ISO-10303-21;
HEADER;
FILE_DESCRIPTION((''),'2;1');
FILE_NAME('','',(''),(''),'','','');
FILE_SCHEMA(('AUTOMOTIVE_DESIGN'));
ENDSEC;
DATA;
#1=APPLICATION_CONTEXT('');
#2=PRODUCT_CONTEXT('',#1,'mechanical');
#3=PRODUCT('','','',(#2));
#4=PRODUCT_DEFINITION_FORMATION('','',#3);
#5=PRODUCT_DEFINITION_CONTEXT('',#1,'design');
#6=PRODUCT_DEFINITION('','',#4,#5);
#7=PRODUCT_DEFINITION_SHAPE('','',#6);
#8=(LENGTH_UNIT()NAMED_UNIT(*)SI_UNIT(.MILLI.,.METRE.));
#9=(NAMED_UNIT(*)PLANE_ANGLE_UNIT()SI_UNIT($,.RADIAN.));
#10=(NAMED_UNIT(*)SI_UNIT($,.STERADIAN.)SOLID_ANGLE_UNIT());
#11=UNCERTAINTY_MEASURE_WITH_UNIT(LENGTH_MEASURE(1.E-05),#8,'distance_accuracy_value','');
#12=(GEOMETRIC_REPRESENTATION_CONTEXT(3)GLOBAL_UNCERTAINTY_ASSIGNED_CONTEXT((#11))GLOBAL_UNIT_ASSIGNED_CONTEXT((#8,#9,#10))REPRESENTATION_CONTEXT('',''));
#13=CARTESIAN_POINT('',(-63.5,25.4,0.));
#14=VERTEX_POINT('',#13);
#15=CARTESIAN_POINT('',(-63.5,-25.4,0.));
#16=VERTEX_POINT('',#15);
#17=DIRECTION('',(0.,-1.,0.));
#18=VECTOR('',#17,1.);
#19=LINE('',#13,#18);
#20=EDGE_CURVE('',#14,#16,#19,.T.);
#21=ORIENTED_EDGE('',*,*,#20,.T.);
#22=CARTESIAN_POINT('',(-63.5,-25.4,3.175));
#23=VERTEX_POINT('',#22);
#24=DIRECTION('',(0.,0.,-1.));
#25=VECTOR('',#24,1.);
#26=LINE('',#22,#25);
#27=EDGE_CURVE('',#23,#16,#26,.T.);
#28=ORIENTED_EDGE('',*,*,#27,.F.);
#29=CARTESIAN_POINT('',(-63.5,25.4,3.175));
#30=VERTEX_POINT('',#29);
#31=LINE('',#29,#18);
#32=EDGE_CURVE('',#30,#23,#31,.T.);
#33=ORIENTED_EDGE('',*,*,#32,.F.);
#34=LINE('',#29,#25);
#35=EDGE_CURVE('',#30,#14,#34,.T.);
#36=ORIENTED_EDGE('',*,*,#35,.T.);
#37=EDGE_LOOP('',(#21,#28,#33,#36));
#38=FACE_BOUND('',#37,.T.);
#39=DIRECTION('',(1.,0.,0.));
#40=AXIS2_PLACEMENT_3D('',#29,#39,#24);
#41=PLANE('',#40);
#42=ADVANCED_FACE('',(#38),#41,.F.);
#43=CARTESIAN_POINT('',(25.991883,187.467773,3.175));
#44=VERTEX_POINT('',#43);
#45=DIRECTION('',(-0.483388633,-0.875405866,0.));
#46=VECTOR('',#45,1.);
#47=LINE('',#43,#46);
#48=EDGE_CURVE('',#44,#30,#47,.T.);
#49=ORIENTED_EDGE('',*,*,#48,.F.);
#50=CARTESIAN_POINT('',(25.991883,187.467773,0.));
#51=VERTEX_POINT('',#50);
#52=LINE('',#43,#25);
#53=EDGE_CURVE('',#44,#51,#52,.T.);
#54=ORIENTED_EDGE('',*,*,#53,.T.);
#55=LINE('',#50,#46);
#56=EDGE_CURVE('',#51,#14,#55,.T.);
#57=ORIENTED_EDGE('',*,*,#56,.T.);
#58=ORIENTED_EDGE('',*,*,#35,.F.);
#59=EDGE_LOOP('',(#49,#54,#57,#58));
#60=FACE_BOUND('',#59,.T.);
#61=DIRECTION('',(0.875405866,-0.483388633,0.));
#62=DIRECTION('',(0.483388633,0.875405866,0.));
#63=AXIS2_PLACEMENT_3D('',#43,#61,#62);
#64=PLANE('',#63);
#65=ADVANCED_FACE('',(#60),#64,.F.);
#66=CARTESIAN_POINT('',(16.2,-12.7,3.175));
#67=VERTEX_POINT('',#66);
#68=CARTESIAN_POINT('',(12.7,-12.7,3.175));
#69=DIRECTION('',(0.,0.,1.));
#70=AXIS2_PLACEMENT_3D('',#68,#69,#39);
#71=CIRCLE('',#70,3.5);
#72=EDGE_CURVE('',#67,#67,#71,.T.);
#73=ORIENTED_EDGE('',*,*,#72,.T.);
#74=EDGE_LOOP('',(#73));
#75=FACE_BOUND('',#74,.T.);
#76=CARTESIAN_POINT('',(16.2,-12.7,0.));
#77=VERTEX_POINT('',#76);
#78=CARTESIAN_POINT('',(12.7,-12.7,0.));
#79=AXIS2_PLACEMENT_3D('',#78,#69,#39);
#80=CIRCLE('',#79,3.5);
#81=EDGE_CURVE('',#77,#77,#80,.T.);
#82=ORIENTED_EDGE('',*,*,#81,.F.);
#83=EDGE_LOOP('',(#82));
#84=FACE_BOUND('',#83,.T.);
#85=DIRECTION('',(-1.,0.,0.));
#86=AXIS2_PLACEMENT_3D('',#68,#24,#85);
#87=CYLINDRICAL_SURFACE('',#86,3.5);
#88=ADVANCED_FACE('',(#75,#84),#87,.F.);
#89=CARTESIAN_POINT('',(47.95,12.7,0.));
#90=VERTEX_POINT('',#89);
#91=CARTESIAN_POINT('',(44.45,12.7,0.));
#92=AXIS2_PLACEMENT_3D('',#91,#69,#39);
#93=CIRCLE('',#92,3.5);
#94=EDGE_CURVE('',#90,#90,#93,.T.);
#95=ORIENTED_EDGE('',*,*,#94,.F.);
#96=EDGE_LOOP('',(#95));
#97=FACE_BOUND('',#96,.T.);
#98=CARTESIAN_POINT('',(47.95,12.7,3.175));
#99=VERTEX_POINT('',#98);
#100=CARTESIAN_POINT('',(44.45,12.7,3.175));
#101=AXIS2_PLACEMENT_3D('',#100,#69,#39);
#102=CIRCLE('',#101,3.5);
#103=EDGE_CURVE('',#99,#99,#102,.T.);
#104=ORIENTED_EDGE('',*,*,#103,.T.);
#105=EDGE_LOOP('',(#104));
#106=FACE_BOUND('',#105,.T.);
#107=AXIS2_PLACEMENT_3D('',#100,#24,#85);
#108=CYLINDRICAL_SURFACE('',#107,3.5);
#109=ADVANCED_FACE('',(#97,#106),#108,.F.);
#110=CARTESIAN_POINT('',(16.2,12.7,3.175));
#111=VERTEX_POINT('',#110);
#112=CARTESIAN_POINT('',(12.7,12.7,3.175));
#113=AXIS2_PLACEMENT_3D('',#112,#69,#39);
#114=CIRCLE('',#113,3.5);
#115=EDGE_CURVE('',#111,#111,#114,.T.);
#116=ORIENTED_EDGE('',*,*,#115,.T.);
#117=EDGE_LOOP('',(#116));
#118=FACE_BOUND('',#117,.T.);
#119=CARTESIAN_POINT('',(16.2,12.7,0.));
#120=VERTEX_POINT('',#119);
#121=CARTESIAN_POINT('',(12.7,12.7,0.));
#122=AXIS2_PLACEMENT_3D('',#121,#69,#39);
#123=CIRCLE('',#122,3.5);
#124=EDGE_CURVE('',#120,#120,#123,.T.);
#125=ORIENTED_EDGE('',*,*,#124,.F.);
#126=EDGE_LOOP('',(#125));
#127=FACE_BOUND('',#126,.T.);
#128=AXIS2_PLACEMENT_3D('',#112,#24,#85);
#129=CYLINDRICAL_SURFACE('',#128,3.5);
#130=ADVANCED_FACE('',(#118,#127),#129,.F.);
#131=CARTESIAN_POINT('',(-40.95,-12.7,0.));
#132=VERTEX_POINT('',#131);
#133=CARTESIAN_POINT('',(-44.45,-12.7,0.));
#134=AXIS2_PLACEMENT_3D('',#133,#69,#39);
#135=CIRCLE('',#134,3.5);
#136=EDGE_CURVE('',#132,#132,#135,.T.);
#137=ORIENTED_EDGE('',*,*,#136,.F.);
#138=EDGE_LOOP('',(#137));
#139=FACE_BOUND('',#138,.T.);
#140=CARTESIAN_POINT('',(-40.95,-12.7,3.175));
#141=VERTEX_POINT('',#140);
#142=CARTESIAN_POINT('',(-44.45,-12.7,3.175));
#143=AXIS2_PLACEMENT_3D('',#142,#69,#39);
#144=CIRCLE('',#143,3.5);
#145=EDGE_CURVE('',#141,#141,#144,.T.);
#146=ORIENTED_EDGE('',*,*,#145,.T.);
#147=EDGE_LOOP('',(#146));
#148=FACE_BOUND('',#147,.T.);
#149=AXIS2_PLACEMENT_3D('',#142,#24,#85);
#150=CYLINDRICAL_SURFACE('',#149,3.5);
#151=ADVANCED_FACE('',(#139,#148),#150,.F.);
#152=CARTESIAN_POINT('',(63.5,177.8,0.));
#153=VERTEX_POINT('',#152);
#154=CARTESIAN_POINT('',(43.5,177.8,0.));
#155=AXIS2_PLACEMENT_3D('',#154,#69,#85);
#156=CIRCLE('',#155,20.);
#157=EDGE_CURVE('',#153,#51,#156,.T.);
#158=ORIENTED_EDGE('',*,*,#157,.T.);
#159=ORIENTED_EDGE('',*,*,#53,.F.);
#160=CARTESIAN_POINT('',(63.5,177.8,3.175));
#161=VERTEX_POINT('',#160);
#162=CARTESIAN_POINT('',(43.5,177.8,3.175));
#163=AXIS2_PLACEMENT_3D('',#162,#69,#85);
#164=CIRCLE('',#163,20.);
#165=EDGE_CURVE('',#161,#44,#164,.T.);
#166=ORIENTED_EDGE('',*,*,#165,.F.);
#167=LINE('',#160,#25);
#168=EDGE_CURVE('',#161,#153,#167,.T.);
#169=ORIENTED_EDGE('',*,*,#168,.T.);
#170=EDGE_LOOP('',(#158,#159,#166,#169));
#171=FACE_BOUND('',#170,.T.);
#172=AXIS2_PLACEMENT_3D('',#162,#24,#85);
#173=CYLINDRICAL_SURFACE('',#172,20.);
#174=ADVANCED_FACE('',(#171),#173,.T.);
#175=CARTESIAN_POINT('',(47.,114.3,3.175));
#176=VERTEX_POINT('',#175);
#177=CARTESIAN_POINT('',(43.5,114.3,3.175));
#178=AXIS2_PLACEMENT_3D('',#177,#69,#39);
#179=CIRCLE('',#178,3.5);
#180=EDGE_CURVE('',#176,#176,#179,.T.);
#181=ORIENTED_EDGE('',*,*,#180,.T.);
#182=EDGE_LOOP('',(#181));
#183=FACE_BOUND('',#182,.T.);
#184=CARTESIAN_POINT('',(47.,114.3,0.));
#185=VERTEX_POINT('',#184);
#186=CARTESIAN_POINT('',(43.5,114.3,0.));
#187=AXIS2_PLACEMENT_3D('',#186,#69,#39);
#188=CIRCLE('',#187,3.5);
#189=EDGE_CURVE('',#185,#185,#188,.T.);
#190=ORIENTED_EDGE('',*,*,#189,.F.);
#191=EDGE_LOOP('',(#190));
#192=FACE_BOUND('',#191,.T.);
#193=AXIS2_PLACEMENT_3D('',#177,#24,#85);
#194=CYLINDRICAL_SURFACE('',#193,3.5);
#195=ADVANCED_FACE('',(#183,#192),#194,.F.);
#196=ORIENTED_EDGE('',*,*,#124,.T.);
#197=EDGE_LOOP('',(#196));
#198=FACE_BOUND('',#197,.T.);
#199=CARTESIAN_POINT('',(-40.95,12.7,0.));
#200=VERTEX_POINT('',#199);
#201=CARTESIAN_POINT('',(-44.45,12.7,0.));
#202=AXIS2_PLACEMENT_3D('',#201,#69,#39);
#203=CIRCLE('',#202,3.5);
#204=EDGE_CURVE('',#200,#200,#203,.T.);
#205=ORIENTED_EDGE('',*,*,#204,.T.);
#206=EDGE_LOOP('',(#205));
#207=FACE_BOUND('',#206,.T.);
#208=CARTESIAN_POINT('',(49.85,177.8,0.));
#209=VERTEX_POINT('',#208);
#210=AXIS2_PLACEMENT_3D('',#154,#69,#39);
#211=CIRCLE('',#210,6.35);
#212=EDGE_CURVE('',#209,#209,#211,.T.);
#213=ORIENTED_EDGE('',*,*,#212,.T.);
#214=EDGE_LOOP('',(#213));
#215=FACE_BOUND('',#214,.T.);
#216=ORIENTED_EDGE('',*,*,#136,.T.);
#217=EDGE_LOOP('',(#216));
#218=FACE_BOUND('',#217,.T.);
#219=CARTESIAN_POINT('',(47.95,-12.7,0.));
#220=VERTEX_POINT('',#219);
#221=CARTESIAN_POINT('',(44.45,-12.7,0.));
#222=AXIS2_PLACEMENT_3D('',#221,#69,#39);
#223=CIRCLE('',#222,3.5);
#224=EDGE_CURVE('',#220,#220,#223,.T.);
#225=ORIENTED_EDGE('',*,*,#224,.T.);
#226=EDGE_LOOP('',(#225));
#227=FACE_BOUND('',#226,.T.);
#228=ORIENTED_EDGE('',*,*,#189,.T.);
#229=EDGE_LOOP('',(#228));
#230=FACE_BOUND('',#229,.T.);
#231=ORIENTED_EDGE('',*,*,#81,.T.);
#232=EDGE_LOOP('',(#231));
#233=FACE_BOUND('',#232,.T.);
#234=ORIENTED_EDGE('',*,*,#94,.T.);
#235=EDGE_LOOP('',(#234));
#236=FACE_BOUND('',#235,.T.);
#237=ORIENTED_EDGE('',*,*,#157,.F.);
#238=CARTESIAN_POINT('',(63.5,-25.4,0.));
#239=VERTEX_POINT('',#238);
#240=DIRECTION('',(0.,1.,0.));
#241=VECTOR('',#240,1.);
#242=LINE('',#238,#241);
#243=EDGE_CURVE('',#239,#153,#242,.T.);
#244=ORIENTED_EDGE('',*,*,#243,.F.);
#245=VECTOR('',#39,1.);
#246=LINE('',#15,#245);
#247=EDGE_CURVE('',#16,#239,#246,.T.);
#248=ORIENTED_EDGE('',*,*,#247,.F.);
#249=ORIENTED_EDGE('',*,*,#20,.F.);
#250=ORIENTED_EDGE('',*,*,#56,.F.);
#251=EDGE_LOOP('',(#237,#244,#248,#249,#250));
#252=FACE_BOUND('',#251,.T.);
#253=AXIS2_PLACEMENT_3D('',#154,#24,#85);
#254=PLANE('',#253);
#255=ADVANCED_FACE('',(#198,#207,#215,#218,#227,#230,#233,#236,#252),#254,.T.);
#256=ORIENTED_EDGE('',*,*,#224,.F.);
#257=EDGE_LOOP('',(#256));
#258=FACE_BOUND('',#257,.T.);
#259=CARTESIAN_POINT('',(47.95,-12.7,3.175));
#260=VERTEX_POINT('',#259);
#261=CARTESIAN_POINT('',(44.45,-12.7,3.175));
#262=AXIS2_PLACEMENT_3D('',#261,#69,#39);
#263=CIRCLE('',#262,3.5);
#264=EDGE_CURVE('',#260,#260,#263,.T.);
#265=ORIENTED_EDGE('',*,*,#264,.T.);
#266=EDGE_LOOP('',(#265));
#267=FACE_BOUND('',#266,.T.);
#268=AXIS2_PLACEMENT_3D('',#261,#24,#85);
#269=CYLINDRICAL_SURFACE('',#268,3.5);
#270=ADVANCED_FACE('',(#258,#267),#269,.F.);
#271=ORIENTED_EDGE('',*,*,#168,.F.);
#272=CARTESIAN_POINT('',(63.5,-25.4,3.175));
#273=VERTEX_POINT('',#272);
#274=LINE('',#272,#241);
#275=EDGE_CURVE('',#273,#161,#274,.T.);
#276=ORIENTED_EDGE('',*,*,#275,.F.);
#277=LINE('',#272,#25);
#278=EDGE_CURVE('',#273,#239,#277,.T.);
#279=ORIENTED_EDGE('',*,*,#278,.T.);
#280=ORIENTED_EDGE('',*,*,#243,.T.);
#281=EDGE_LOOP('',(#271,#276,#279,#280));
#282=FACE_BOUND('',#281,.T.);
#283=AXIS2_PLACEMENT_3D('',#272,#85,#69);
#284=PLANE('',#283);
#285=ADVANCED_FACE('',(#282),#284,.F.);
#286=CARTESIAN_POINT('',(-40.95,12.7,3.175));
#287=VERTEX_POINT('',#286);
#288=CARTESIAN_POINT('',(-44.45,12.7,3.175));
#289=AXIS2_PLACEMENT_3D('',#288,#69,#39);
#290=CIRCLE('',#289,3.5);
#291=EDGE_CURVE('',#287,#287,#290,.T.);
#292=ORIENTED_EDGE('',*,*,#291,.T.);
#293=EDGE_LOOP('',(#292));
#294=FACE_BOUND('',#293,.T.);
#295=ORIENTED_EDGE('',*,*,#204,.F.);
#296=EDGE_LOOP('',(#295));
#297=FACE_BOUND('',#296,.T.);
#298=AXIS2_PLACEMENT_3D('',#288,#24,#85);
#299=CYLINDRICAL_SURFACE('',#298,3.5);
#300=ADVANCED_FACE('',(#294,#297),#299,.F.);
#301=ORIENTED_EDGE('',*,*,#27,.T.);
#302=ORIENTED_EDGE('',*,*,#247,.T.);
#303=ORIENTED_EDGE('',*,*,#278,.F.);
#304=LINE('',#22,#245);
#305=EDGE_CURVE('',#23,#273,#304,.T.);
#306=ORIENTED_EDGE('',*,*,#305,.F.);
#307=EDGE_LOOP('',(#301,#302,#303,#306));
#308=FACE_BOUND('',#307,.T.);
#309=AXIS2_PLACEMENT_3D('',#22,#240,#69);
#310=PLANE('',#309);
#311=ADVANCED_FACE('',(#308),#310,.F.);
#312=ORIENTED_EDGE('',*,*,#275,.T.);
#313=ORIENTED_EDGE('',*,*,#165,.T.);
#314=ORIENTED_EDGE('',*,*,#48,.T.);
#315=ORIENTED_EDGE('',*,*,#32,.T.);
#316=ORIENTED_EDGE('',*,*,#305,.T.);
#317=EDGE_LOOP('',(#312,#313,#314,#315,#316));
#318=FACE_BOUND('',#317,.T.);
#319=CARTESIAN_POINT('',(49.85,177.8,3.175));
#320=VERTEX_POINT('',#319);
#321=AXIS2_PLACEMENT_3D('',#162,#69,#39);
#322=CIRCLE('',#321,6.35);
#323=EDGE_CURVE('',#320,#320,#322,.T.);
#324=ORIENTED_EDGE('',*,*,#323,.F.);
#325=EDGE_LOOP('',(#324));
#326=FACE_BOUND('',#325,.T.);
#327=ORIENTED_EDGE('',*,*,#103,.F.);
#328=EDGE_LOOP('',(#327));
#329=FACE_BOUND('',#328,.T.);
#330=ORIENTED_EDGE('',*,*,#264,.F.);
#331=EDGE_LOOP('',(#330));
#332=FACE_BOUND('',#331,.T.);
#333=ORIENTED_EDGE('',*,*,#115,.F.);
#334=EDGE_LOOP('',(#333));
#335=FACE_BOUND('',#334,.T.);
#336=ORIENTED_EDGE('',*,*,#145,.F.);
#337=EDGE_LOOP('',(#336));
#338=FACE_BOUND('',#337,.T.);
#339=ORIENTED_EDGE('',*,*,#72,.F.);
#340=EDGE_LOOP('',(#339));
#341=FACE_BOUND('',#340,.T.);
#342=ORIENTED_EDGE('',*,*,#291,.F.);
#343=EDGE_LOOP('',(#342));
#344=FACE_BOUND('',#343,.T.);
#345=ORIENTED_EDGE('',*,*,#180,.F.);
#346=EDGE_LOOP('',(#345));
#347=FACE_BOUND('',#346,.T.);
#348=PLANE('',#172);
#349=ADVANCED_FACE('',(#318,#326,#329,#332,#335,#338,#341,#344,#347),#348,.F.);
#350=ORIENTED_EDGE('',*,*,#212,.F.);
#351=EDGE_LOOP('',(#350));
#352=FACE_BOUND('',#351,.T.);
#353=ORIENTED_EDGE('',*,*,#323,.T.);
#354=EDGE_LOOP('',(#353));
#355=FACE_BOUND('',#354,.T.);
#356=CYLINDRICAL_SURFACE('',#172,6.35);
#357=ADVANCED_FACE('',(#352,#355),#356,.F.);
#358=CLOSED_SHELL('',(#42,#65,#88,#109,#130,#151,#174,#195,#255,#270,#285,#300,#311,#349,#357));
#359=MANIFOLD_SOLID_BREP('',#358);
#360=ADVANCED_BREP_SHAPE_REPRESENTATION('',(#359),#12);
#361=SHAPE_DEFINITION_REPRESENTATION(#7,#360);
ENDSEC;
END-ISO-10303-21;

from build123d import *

# Parameters (mm, degrees)
SKETCH1_R           = 6.35
SKETCH1_R_2         = 3.5
BOSS_EXTRUDE1_DEPTH = 3.175


with BuildPart() as part:
    # Sketch1 → Boss-Extrude1 (new body)
    with BuildSketch(Plane.XY):
        with BuildLine():
            Line((-63.5, -25.4), (63.5, -25.4))
            Line((63.5, -25.4), (63.5, 177.8))
            ThreePointArc((63.5, 177.8), (48.491876086, 197.167012499), (25.991882686, 187.467772655))
            Line((25.991882686, 187.467772655), (-63.5, 25.4))
            Line((-63.5, 25.4), (-63.5, -25.4))
        make_face()
        with Locations((43.5, 177.8)):
            Circle(SKETCH1_R, mode=Mode.SUBTRACT)
        with Locations((-44.45, 12.7)):
            Circle(SKETCH1_R_2, mode=Mode.SUBTRACT)
        with Locations((44.45, 12.7)):
            Circle(SKETCH1_R_2, mode=Mode.SUBTRACT)
        with Locations((44.45, -12.7)):
            Circle(SKETCH1_R_2, mode=Mode.SUBTRACT)
        with Locations((-44.45, -12.7)):
            Circle(SKETCH1_R_2, mode=Mode.SUBTRACT)
        with Locations((12.7, 12.7)):
            Circle(SKETCH1_R_2, mode=Mode.SUBTRACT)
        with Locations((12.7, -12.7)):
            Circle(SKETCH1_R_2, mode=Mode.SUBTRACT)
        with Locations((43.5, 114.3)):
            Circle(SKETCH1_R_2, mode=Mode.SUBTRACT)
    extrude(amount=BOSS_EXTRUDE1_DEPTH)


solid = part.part
